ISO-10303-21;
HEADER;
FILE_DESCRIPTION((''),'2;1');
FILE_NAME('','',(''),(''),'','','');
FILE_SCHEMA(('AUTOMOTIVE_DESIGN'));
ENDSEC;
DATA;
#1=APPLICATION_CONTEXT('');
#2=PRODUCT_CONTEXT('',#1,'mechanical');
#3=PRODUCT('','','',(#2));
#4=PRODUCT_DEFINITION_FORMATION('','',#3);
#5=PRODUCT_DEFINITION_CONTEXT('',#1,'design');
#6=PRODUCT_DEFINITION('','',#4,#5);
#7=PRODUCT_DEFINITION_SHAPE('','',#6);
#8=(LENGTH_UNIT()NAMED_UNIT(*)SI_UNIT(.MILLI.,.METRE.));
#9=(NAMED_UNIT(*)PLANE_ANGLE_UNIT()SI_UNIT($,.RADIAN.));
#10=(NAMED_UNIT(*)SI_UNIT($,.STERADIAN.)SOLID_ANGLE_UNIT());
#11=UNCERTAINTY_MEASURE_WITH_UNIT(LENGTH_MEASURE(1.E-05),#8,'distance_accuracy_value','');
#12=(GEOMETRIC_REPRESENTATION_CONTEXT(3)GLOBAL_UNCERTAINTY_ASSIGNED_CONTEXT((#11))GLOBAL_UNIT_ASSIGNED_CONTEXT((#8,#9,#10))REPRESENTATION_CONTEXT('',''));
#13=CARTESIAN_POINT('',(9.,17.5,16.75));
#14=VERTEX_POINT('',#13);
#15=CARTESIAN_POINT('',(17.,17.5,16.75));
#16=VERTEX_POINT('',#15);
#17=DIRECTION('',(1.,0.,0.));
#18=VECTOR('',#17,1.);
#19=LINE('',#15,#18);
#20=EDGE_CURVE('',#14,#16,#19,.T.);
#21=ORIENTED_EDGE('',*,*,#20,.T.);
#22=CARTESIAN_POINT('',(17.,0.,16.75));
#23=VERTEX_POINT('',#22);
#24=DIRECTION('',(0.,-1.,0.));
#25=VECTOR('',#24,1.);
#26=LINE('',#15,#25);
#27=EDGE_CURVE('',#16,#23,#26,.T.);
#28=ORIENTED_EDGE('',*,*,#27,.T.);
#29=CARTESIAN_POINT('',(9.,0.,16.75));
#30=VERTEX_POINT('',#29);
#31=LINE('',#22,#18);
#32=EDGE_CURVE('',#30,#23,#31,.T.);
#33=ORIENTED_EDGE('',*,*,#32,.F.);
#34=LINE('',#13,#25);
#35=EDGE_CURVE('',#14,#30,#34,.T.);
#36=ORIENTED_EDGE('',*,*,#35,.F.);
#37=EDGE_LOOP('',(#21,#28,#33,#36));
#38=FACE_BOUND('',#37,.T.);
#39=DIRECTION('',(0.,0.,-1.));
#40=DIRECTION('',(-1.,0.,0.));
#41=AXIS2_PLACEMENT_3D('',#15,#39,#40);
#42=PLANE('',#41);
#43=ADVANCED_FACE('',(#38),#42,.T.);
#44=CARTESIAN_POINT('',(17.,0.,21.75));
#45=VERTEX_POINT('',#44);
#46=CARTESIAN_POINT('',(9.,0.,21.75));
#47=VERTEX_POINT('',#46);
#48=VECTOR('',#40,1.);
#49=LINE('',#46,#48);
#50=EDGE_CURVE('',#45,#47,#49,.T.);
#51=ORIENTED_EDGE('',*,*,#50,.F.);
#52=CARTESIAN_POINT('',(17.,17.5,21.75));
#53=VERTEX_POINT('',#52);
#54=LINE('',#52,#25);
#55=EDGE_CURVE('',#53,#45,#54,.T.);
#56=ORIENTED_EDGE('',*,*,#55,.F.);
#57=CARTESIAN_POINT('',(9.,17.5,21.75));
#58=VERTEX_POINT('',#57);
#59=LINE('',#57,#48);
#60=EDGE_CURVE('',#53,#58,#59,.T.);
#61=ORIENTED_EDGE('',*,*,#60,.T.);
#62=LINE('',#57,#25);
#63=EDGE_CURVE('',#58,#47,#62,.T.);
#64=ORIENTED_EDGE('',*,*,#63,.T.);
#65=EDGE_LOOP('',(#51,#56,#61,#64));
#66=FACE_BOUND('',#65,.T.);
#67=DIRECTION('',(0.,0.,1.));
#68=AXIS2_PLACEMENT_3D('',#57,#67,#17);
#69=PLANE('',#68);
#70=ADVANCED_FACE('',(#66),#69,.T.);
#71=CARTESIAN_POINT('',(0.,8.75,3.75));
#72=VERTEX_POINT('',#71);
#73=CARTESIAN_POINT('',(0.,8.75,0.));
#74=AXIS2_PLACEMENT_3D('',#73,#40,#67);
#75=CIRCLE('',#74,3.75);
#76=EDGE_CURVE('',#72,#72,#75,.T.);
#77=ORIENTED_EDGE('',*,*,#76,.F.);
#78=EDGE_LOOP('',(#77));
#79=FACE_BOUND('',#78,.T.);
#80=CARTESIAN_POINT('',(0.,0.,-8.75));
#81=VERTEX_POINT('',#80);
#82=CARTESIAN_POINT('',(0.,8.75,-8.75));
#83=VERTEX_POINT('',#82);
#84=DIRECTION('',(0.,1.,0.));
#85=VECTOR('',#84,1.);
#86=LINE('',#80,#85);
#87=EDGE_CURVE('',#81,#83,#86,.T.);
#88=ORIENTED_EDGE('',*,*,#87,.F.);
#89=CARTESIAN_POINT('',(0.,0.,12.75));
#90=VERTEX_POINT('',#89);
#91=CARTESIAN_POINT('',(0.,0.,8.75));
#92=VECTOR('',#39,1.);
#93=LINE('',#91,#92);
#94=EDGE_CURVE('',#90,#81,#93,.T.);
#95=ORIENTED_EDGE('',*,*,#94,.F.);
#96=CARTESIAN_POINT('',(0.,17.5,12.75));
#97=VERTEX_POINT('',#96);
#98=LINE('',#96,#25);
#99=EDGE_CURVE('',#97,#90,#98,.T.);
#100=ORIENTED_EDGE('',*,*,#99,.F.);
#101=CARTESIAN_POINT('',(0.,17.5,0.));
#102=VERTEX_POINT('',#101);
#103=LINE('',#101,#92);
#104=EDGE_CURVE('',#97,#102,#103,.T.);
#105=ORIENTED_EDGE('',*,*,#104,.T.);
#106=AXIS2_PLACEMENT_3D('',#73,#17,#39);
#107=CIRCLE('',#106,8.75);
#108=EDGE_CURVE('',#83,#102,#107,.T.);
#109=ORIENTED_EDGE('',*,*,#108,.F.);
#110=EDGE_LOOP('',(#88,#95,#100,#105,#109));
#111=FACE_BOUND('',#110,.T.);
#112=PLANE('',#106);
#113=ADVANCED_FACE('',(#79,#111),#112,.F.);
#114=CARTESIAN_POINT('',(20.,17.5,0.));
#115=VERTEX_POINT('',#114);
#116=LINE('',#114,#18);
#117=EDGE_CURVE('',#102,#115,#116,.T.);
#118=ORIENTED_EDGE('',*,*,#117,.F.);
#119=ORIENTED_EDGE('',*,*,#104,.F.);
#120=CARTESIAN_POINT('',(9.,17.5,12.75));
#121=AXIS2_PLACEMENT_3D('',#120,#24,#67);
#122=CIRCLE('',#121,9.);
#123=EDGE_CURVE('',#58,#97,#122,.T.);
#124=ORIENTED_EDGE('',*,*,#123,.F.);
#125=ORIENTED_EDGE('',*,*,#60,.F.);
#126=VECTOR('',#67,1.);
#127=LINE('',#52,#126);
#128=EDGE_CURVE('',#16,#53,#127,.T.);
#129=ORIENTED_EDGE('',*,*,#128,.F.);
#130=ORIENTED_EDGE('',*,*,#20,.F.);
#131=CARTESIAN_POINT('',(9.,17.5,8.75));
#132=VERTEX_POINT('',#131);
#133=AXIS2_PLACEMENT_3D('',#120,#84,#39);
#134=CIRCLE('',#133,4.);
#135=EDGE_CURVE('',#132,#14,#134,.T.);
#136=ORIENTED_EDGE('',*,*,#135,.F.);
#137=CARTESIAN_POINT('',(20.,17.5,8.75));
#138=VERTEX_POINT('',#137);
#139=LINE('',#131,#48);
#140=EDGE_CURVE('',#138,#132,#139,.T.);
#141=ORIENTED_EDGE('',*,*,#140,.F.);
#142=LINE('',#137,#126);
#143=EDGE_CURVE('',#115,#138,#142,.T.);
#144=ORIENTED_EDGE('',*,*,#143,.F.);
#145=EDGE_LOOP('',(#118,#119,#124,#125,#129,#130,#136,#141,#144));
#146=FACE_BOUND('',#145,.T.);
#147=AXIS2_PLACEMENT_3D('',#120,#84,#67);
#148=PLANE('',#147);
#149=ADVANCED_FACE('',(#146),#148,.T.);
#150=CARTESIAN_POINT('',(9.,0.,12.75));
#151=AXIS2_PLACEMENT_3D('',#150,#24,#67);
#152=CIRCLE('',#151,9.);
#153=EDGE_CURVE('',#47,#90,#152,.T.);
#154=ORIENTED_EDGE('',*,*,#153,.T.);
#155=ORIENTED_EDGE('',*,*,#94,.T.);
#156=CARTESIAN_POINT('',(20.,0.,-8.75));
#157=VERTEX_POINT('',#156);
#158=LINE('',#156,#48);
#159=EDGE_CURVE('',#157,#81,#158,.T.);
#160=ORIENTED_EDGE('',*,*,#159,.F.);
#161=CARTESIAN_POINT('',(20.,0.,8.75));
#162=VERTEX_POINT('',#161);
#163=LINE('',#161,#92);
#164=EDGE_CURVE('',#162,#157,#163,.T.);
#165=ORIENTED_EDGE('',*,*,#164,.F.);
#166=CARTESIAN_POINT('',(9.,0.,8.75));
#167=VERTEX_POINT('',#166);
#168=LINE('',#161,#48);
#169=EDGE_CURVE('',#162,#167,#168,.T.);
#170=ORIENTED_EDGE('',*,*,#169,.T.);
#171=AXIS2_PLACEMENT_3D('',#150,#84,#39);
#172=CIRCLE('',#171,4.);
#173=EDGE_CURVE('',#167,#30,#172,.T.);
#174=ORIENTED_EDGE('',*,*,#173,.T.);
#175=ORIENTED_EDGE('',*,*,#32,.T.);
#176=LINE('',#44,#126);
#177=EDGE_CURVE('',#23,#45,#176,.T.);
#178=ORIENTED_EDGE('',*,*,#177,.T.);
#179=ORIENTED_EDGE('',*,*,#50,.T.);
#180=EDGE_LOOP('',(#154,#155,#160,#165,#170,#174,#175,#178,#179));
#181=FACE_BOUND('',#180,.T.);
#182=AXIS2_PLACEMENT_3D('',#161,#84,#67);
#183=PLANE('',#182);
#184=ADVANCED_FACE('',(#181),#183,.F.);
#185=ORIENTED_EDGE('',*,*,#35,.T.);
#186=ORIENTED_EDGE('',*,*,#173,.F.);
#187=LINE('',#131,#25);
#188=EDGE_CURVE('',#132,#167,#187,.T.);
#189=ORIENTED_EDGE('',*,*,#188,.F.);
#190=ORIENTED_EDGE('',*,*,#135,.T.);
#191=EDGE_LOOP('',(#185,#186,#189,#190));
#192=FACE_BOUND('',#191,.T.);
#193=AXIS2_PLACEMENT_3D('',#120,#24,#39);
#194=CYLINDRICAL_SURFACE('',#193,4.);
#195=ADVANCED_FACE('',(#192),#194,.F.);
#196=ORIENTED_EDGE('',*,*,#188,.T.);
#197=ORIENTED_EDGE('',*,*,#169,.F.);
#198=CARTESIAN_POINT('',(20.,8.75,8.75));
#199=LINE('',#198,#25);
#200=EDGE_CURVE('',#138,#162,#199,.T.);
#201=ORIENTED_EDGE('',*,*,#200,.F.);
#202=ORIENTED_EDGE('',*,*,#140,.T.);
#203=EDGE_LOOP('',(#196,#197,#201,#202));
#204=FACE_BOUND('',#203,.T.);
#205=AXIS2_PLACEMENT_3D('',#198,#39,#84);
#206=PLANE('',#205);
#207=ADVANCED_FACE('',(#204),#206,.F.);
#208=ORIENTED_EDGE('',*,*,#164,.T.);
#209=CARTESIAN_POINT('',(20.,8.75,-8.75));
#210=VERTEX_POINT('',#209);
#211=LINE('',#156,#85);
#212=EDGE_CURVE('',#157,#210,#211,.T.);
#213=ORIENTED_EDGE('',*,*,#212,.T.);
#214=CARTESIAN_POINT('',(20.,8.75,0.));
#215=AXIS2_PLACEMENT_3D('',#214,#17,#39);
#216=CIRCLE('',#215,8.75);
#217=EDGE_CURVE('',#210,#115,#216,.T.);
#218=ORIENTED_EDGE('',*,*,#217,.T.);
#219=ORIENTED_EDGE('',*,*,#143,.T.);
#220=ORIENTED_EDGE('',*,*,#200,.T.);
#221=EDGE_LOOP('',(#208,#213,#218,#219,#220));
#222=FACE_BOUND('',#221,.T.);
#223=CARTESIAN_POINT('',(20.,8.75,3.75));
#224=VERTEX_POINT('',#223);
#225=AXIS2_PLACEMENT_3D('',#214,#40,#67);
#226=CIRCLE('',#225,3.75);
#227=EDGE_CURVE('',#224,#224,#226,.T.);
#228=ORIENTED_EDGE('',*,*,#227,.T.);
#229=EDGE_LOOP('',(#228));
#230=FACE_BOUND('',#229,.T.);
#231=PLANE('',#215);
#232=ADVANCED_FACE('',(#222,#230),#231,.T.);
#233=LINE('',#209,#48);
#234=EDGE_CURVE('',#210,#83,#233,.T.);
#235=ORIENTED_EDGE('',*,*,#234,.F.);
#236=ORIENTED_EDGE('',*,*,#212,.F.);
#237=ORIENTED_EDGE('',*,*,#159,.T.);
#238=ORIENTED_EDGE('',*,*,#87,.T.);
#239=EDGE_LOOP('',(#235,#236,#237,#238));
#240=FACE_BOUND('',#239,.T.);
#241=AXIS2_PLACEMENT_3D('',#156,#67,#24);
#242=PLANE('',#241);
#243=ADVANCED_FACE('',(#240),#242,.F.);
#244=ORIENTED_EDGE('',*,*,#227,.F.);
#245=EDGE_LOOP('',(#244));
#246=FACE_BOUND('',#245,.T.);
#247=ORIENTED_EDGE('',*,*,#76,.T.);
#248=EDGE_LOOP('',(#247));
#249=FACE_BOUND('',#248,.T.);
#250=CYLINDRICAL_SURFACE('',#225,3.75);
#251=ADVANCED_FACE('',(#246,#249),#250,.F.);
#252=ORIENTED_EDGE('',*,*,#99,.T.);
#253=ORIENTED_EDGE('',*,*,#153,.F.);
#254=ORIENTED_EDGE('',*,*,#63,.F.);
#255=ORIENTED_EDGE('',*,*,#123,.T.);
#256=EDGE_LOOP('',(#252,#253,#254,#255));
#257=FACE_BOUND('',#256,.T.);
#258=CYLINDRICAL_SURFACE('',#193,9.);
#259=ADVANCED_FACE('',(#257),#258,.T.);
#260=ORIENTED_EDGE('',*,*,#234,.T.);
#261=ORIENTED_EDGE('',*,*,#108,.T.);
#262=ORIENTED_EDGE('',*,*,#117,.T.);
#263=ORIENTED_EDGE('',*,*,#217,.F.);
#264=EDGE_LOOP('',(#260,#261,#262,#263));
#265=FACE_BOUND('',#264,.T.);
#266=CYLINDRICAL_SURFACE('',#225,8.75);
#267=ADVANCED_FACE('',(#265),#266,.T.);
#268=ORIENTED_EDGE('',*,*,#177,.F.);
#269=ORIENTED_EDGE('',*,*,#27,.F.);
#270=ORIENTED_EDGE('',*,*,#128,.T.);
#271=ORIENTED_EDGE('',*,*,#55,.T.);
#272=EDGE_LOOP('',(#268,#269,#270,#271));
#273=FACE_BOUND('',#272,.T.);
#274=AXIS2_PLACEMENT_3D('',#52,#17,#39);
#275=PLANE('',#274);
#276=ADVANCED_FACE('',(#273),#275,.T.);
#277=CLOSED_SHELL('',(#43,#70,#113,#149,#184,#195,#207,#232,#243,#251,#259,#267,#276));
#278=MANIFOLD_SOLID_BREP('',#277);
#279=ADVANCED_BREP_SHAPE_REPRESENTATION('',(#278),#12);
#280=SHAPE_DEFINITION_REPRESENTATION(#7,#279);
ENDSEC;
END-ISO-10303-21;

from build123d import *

# Parameters (mm, degrees)
BOSS_EXTRUDE1_DEPTH = 20
BOSS_EXTRUDE2_DEPTH = 17.5
SKETCH3_R           = 3.75
CUT_EXTRUDE1_DEPTH  = 21


with BuildPart() as part:
    # Sketch1 → Boss-Extrude1 (new body)
    with BuildSketch(Plane(origin=(0, 0, 0), x_dir=(0, 0, -1), z_dir=(1, 0, 0))):
        with BuildLine():
            Line((-8.75, 0), (8.75, 0))
            Line((8.75, 0), (8.75, 8.75))
            ThreePointArc((8.75, 8.75), (0, 17.5), (-8.75, 8.75))
            Line((-8.75, 8.75), (-8.75, 0))
        make_face()
    extrude(amount=BOSS_EXTRUDE1_DEPTH)

    # Sketch2 → Boss-Extrude2 (add)
    with BuildSketch(Plane.XZ):
        with BuildLine():
            Line((0, 12.75), (0, 8.75))
            Line((0, 8.75), (0, 0))
            Line((0, 0), (20, 0))
            Line((20, 0), (20, 8.75))
            Line((20, 8.75), (9, 8.75))
            ThreePointArc((9, 8.75), (5, 12.75), (9, 16.75))
            Line((9, 16.75), (17, 16.75))
            Line((17, 16.75), (17, 21.75))
            Line((17, 21.75), (9, 21.75))
            ThreePointArc((9, 21.75), (2.636038969, 19.113961031), (0, 12.75))
        make_face()
    extrude(amount=-BOSS_EXTRUDE2_DEPTH)

    # Sketch3 → Cut-Extrude1 (cut, through all)
    with BuildSketch(Plane.ZY):
        with Locations((0, 8.75)):
            Circle(SKETCH3_R)
    extrude(amount=-CUT_EXTRUDE1_DEPTH, mode=Mode.SUBTRACT)


solid = part.part
